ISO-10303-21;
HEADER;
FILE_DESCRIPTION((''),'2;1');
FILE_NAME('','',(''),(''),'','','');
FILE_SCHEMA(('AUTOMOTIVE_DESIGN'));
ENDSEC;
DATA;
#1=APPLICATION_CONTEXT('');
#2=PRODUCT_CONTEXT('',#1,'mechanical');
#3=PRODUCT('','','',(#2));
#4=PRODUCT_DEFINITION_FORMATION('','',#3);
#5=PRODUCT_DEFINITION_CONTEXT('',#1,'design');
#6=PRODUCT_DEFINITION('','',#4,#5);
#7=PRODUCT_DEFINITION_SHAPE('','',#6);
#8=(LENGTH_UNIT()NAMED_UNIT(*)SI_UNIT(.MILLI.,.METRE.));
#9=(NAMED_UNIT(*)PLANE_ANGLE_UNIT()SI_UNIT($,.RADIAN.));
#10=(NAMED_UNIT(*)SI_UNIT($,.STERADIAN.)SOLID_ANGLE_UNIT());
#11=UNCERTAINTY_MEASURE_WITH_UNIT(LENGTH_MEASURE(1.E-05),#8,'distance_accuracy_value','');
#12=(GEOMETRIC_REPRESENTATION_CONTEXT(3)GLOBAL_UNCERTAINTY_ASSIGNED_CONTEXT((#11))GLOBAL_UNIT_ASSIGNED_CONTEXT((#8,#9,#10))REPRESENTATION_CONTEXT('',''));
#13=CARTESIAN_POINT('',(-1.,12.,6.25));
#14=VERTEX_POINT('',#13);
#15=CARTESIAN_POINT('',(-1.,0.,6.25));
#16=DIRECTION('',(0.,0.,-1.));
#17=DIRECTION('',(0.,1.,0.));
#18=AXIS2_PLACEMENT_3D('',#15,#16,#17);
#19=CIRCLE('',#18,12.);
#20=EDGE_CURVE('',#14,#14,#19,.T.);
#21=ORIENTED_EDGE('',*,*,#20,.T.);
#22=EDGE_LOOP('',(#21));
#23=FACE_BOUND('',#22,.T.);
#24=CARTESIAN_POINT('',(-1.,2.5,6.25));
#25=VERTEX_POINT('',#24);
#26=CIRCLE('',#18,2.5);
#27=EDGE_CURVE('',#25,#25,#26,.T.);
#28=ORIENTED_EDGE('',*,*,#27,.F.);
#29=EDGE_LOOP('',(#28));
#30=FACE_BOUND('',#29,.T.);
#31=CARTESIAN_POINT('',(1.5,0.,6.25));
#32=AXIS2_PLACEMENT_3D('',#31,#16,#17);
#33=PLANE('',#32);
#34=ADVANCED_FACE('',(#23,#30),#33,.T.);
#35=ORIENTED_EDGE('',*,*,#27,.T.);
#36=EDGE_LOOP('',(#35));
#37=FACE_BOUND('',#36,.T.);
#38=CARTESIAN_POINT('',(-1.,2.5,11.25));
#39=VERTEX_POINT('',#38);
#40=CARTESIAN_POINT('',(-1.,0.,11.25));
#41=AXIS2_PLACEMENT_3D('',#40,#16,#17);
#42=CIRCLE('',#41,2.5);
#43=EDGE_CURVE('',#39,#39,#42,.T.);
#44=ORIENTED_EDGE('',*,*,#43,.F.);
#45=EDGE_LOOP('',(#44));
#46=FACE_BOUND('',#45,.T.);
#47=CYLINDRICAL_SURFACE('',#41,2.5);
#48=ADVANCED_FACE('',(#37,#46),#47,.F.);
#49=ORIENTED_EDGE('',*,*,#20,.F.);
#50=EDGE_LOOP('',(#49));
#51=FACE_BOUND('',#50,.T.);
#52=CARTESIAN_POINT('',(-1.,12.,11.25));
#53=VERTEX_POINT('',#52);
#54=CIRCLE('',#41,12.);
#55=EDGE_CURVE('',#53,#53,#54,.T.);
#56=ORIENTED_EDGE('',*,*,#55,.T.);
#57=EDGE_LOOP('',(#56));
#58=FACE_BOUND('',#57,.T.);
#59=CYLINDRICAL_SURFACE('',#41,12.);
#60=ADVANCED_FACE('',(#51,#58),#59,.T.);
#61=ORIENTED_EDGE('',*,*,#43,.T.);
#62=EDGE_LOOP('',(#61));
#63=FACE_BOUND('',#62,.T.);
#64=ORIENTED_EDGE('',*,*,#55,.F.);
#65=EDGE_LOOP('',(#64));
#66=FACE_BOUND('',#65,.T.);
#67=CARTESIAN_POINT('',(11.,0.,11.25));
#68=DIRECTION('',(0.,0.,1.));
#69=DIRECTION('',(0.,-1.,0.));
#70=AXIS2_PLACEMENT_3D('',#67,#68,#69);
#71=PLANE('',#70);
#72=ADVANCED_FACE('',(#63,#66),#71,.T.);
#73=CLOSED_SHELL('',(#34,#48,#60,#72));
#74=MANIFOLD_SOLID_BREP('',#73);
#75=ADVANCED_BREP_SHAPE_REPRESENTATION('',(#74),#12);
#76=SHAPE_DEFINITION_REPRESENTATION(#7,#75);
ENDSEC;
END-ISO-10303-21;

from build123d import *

# Parameters (mm, degrees)
SKETCH_1_W    = 4.75
SKETCH_1_H    = 2.5
SCALE_1_SCALE = 2


with BuildPart() as part:
    # 草图1 → 旋转1 (revolve)
    with BuildSketch(Plane.XZ, mode=Mode.PRIVATE) as revolve_1_sk:
        with Locations((2.625, 8.75)):
            Rectangle(SKETCH_1_W, SKETCH_1_H)
    revolve(revolve_1_sk.sketch.rotate(Axis((-1, 0, 10), (0, 0, -1)), 270), axis=Axis((-1, 0, 10), (0, 0, -1)))


with BuildPart() as part_1:
    # 缩放比例1: scaled about (-1, 0, 8.75)
    add(part.part.scale(SCALE_1_SCALE).moved(Location((1, 0, -8.75))))


solid = part_1.part
